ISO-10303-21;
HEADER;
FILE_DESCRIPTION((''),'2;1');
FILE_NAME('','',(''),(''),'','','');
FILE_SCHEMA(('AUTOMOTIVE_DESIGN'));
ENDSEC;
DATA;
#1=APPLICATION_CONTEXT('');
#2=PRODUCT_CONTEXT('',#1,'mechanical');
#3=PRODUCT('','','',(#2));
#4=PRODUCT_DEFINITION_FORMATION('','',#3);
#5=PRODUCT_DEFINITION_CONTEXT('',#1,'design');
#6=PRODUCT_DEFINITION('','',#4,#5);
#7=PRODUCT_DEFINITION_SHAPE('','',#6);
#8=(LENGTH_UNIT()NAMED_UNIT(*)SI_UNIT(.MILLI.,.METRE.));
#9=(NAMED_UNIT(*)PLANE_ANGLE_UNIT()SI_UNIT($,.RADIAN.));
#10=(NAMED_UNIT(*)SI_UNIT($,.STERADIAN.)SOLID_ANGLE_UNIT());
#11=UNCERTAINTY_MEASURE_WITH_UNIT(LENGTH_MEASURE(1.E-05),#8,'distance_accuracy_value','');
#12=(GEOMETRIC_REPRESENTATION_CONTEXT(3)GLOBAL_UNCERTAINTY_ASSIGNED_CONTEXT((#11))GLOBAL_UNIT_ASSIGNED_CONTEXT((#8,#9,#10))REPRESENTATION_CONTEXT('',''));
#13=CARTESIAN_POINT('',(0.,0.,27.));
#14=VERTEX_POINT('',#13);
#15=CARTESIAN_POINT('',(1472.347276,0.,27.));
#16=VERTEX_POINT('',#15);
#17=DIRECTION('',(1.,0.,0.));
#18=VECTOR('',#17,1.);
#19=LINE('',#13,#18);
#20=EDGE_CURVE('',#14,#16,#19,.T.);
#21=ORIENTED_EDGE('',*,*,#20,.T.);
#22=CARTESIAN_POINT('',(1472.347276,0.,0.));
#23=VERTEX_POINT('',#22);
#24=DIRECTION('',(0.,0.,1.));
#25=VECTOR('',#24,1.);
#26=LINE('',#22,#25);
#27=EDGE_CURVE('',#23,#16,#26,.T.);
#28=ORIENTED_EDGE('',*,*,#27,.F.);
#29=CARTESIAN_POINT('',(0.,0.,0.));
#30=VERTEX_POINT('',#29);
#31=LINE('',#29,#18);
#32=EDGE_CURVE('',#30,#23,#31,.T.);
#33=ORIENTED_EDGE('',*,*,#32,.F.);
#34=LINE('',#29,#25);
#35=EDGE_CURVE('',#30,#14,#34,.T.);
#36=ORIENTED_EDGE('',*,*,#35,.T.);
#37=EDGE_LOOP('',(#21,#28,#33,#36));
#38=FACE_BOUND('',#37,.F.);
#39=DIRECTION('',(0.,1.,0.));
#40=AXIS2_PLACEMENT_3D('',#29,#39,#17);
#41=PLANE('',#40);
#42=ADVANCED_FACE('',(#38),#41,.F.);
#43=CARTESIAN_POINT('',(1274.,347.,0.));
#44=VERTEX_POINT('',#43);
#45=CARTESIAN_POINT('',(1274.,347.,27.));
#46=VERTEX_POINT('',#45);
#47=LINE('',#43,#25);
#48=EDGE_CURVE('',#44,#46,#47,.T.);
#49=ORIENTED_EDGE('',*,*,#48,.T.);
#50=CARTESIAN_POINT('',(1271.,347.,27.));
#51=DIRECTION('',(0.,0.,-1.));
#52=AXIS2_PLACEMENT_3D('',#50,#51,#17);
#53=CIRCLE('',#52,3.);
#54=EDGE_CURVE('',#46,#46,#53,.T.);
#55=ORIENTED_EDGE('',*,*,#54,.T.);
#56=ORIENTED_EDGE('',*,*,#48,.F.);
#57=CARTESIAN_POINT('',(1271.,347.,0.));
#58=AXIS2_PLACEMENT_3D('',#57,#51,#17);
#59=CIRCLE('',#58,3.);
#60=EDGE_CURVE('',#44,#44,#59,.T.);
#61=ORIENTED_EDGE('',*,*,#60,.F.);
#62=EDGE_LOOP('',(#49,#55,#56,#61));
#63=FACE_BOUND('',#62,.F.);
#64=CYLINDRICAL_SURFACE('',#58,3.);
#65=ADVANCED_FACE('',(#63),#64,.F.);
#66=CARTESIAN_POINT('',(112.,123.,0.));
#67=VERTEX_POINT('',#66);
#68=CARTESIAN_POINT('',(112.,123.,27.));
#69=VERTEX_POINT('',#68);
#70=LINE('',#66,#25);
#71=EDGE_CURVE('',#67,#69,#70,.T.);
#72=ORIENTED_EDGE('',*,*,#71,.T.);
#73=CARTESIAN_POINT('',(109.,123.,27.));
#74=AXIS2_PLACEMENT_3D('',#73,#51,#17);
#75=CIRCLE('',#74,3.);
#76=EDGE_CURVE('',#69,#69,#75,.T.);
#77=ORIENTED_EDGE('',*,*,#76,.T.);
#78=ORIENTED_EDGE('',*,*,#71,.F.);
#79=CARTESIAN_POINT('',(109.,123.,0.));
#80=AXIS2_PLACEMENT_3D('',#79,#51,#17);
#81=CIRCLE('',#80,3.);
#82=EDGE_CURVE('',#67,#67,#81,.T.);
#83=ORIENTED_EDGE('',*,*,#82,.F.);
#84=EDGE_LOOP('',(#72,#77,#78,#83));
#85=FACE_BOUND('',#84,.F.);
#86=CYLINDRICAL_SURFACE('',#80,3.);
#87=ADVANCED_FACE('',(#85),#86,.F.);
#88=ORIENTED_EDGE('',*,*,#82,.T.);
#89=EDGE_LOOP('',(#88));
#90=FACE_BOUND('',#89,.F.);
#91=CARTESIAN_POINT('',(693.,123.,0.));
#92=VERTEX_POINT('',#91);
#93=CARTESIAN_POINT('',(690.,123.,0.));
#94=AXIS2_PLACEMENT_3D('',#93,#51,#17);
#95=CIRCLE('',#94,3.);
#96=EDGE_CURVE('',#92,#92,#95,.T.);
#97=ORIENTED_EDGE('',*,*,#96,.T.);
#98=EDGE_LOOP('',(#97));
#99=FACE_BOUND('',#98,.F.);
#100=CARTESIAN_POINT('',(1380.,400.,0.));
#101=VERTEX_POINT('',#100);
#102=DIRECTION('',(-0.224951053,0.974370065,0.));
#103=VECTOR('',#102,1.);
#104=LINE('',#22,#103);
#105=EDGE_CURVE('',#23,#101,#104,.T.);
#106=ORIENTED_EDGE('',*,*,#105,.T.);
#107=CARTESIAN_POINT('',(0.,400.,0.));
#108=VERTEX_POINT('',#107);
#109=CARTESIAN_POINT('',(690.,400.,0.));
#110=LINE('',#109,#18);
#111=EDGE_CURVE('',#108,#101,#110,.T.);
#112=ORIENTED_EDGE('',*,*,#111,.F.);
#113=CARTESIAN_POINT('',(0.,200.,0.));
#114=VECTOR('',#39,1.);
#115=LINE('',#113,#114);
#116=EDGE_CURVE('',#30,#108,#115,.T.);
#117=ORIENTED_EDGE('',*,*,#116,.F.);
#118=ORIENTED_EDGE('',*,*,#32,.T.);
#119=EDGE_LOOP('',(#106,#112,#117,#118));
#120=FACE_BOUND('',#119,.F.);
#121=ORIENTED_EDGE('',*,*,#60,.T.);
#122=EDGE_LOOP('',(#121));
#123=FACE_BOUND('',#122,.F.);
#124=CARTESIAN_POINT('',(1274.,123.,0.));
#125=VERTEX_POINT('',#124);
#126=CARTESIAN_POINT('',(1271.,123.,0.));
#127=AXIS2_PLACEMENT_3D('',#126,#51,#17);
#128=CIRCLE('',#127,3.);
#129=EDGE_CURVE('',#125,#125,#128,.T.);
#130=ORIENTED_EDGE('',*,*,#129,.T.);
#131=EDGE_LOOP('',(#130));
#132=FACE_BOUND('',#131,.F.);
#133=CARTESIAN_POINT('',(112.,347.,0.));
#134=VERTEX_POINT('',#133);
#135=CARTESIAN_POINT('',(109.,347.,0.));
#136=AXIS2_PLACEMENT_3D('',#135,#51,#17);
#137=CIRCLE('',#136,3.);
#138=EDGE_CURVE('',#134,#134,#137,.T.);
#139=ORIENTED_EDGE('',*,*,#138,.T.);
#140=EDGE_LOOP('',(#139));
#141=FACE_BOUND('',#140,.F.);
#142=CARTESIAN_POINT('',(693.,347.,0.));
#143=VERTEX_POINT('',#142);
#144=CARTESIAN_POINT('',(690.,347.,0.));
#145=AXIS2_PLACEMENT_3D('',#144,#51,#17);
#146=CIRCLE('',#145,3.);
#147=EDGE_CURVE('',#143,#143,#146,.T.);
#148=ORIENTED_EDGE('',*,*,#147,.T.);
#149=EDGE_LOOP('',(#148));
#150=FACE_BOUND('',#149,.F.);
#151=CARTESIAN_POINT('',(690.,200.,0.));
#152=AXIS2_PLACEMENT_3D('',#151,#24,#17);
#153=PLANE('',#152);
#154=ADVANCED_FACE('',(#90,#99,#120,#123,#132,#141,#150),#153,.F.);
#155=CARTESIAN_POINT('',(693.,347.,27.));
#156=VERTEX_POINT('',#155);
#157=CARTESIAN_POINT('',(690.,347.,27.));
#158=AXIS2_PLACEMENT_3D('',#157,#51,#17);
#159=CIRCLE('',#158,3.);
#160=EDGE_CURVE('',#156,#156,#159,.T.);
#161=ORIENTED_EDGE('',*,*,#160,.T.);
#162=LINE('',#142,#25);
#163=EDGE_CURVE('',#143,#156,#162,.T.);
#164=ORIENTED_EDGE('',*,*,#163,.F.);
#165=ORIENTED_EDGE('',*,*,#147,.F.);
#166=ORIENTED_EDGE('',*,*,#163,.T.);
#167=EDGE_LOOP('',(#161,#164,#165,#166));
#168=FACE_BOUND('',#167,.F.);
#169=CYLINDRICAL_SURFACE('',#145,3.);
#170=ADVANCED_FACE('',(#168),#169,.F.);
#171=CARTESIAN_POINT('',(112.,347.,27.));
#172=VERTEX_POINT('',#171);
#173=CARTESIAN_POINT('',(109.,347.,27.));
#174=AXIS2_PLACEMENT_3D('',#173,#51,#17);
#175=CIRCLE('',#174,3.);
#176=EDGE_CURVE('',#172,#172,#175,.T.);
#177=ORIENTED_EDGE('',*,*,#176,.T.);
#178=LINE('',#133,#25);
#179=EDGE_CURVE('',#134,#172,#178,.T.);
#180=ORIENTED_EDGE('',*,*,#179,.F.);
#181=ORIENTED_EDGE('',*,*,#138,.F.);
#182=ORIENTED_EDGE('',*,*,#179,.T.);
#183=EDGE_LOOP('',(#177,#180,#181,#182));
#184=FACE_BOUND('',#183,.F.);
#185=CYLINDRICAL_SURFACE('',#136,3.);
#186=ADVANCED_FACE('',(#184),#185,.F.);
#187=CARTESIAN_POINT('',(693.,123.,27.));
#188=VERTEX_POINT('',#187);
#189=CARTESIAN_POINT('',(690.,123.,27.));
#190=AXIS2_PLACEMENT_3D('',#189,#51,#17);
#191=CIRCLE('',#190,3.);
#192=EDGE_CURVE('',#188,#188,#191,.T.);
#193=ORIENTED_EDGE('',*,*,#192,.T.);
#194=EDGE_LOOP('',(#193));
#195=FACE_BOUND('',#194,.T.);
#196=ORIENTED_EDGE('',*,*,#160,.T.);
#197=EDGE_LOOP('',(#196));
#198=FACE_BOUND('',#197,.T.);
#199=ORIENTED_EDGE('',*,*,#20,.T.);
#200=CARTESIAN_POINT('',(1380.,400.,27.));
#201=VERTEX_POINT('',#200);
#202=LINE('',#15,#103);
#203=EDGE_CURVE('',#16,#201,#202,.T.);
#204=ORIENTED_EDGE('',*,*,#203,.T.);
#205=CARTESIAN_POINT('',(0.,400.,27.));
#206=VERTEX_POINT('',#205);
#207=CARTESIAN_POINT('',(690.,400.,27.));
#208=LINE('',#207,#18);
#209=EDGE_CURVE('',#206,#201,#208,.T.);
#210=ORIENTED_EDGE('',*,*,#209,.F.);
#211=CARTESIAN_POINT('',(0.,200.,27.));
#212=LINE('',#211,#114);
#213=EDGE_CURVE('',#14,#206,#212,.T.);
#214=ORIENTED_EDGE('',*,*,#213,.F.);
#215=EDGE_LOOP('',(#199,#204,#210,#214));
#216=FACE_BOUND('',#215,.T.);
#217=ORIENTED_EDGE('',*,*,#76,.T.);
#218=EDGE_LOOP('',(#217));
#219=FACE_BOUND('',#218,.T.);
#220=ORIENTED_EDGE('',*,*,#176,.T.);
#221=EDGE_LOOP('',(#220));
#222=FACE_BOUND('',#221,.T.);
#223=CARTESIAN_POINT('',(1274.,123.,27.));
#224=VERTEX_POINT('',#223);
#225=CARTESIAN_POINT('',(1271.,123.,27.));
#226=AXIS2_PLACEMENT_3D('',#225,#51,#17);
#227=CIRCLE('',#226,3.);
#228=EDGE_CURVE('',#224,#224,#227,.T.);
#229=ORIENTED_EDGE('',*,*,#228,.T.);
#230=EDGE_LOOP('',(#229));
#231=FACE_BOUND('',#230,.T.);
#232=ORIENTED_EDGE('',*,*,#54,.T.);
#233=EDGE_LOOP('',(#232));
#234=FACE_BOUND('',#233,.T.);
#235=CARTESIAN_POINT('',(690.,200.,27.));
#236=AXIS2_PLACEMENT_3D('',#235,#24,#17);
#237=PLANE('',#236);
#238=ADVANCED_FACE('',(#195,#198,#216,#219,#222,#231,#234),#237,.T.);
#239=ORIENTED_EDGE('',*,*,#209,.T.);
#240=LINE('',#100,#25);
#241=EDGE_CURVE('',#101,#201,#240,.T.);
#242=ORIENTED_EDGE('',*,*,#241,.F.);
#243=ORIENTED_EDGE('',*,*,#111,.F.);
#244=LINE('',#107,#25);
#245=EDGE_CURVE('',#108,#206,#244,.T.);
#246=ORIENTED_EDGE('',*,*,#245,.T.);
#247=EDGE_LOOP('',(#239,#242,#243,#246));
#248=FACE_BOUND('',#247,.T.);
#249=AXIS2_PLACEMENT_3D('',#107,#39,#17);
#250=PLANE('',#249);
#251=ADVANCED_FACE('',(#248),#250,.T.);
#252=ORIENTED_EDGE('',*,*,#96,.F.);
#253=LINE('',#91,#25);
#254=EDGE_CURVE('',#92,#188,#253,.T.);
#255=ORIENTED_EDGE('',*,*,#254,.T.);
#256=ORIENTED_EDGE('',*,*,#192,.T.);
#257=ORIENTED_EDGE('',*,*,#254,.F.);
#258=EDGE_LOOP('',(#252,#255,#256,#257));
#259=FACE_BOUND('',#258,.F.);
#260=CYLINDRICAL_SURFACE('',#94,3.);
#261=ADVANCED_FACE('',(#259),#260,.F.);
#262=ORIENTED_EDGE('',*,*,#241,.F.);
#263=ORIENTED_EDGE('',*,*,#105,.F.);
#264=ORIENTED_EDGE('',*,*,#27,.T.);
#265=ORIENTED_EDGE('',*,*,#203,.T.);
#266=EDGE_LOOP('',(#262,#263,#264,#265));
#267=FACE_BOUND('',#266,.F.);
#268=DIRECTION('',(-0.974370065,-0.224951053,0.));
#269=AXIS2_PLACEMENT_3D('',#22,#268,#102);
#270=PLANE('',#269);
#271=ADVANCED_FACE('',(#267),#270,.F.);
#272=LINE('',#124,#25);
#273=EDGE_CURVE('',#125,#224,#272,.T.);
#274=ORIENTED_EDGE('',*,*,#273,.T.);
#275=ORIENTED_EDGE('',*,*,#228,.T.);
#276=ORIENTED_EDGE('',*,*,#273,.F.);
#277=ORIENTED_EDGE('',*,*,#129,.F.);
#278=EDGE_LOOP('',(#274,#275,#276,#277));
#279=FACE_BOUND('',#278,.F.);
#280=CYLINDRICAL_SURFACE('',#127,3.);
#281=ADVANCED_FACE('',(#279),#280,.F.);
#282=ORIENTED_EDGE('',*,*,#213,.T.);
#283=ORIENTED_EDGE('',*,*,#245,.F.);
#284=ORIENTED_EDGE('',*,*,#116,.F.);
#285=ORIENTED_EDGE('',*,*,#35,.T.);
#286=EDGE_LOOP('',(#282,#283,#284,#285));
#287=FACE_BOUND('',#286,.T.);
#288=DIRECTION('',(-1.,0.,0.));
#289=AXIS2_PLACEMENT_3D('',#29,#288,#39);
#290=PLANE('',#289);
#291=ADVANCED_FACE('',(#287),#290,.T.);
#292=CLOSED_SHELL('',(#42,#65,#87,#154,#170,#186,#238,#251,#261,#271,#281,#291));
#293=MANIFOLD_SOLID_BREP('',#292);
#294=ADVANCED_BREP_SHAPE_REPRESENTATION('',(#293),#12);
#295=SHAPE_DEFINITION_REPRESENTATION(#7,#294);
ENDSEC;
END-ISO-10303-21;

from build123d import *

# Parameters (mm, degrees)
F0_W     = 1380
F0_H     = 400
F1_DEPTH = 27
F2_R     = 3
F3_DEPTH = 27.001


with BuildPart() as f1:
    # F0 (on Top) → F1 (new body)
    with BuildSketch(Plane.XY):
        with Locations((690, 200)):
            Rectangle(F0_W, F0_H)
        Polygon((1380, 400), (1380, 0), (1472.347276, 0), align=None)
    extrude(amount=F1_DEPTH)

    # F2 (on face) → F3 (cut, through all)
    with BuildSketch(Plane(origin=(0, 0, 0), x_dir=(1, 0, 0), z_dir=(0, 0, -1))):
        with Locations((1271, -123)):
            Circle(F2_R)
        with Locations((1271, -347)):
            Circle(F2_R)
        with Locations((109, -123)):
            Circle(F2_R)
        with Locations((109, -347)):
            Circle(F2_R)
        with Locations((690, -347)):
            Circle(F2_R)
        with Locations((690, -123)):
            Circle(F2_R)
    extrude(amount=-F3_DEPTH, mode=Mode.SUBTRACT)


solid = f1.part
